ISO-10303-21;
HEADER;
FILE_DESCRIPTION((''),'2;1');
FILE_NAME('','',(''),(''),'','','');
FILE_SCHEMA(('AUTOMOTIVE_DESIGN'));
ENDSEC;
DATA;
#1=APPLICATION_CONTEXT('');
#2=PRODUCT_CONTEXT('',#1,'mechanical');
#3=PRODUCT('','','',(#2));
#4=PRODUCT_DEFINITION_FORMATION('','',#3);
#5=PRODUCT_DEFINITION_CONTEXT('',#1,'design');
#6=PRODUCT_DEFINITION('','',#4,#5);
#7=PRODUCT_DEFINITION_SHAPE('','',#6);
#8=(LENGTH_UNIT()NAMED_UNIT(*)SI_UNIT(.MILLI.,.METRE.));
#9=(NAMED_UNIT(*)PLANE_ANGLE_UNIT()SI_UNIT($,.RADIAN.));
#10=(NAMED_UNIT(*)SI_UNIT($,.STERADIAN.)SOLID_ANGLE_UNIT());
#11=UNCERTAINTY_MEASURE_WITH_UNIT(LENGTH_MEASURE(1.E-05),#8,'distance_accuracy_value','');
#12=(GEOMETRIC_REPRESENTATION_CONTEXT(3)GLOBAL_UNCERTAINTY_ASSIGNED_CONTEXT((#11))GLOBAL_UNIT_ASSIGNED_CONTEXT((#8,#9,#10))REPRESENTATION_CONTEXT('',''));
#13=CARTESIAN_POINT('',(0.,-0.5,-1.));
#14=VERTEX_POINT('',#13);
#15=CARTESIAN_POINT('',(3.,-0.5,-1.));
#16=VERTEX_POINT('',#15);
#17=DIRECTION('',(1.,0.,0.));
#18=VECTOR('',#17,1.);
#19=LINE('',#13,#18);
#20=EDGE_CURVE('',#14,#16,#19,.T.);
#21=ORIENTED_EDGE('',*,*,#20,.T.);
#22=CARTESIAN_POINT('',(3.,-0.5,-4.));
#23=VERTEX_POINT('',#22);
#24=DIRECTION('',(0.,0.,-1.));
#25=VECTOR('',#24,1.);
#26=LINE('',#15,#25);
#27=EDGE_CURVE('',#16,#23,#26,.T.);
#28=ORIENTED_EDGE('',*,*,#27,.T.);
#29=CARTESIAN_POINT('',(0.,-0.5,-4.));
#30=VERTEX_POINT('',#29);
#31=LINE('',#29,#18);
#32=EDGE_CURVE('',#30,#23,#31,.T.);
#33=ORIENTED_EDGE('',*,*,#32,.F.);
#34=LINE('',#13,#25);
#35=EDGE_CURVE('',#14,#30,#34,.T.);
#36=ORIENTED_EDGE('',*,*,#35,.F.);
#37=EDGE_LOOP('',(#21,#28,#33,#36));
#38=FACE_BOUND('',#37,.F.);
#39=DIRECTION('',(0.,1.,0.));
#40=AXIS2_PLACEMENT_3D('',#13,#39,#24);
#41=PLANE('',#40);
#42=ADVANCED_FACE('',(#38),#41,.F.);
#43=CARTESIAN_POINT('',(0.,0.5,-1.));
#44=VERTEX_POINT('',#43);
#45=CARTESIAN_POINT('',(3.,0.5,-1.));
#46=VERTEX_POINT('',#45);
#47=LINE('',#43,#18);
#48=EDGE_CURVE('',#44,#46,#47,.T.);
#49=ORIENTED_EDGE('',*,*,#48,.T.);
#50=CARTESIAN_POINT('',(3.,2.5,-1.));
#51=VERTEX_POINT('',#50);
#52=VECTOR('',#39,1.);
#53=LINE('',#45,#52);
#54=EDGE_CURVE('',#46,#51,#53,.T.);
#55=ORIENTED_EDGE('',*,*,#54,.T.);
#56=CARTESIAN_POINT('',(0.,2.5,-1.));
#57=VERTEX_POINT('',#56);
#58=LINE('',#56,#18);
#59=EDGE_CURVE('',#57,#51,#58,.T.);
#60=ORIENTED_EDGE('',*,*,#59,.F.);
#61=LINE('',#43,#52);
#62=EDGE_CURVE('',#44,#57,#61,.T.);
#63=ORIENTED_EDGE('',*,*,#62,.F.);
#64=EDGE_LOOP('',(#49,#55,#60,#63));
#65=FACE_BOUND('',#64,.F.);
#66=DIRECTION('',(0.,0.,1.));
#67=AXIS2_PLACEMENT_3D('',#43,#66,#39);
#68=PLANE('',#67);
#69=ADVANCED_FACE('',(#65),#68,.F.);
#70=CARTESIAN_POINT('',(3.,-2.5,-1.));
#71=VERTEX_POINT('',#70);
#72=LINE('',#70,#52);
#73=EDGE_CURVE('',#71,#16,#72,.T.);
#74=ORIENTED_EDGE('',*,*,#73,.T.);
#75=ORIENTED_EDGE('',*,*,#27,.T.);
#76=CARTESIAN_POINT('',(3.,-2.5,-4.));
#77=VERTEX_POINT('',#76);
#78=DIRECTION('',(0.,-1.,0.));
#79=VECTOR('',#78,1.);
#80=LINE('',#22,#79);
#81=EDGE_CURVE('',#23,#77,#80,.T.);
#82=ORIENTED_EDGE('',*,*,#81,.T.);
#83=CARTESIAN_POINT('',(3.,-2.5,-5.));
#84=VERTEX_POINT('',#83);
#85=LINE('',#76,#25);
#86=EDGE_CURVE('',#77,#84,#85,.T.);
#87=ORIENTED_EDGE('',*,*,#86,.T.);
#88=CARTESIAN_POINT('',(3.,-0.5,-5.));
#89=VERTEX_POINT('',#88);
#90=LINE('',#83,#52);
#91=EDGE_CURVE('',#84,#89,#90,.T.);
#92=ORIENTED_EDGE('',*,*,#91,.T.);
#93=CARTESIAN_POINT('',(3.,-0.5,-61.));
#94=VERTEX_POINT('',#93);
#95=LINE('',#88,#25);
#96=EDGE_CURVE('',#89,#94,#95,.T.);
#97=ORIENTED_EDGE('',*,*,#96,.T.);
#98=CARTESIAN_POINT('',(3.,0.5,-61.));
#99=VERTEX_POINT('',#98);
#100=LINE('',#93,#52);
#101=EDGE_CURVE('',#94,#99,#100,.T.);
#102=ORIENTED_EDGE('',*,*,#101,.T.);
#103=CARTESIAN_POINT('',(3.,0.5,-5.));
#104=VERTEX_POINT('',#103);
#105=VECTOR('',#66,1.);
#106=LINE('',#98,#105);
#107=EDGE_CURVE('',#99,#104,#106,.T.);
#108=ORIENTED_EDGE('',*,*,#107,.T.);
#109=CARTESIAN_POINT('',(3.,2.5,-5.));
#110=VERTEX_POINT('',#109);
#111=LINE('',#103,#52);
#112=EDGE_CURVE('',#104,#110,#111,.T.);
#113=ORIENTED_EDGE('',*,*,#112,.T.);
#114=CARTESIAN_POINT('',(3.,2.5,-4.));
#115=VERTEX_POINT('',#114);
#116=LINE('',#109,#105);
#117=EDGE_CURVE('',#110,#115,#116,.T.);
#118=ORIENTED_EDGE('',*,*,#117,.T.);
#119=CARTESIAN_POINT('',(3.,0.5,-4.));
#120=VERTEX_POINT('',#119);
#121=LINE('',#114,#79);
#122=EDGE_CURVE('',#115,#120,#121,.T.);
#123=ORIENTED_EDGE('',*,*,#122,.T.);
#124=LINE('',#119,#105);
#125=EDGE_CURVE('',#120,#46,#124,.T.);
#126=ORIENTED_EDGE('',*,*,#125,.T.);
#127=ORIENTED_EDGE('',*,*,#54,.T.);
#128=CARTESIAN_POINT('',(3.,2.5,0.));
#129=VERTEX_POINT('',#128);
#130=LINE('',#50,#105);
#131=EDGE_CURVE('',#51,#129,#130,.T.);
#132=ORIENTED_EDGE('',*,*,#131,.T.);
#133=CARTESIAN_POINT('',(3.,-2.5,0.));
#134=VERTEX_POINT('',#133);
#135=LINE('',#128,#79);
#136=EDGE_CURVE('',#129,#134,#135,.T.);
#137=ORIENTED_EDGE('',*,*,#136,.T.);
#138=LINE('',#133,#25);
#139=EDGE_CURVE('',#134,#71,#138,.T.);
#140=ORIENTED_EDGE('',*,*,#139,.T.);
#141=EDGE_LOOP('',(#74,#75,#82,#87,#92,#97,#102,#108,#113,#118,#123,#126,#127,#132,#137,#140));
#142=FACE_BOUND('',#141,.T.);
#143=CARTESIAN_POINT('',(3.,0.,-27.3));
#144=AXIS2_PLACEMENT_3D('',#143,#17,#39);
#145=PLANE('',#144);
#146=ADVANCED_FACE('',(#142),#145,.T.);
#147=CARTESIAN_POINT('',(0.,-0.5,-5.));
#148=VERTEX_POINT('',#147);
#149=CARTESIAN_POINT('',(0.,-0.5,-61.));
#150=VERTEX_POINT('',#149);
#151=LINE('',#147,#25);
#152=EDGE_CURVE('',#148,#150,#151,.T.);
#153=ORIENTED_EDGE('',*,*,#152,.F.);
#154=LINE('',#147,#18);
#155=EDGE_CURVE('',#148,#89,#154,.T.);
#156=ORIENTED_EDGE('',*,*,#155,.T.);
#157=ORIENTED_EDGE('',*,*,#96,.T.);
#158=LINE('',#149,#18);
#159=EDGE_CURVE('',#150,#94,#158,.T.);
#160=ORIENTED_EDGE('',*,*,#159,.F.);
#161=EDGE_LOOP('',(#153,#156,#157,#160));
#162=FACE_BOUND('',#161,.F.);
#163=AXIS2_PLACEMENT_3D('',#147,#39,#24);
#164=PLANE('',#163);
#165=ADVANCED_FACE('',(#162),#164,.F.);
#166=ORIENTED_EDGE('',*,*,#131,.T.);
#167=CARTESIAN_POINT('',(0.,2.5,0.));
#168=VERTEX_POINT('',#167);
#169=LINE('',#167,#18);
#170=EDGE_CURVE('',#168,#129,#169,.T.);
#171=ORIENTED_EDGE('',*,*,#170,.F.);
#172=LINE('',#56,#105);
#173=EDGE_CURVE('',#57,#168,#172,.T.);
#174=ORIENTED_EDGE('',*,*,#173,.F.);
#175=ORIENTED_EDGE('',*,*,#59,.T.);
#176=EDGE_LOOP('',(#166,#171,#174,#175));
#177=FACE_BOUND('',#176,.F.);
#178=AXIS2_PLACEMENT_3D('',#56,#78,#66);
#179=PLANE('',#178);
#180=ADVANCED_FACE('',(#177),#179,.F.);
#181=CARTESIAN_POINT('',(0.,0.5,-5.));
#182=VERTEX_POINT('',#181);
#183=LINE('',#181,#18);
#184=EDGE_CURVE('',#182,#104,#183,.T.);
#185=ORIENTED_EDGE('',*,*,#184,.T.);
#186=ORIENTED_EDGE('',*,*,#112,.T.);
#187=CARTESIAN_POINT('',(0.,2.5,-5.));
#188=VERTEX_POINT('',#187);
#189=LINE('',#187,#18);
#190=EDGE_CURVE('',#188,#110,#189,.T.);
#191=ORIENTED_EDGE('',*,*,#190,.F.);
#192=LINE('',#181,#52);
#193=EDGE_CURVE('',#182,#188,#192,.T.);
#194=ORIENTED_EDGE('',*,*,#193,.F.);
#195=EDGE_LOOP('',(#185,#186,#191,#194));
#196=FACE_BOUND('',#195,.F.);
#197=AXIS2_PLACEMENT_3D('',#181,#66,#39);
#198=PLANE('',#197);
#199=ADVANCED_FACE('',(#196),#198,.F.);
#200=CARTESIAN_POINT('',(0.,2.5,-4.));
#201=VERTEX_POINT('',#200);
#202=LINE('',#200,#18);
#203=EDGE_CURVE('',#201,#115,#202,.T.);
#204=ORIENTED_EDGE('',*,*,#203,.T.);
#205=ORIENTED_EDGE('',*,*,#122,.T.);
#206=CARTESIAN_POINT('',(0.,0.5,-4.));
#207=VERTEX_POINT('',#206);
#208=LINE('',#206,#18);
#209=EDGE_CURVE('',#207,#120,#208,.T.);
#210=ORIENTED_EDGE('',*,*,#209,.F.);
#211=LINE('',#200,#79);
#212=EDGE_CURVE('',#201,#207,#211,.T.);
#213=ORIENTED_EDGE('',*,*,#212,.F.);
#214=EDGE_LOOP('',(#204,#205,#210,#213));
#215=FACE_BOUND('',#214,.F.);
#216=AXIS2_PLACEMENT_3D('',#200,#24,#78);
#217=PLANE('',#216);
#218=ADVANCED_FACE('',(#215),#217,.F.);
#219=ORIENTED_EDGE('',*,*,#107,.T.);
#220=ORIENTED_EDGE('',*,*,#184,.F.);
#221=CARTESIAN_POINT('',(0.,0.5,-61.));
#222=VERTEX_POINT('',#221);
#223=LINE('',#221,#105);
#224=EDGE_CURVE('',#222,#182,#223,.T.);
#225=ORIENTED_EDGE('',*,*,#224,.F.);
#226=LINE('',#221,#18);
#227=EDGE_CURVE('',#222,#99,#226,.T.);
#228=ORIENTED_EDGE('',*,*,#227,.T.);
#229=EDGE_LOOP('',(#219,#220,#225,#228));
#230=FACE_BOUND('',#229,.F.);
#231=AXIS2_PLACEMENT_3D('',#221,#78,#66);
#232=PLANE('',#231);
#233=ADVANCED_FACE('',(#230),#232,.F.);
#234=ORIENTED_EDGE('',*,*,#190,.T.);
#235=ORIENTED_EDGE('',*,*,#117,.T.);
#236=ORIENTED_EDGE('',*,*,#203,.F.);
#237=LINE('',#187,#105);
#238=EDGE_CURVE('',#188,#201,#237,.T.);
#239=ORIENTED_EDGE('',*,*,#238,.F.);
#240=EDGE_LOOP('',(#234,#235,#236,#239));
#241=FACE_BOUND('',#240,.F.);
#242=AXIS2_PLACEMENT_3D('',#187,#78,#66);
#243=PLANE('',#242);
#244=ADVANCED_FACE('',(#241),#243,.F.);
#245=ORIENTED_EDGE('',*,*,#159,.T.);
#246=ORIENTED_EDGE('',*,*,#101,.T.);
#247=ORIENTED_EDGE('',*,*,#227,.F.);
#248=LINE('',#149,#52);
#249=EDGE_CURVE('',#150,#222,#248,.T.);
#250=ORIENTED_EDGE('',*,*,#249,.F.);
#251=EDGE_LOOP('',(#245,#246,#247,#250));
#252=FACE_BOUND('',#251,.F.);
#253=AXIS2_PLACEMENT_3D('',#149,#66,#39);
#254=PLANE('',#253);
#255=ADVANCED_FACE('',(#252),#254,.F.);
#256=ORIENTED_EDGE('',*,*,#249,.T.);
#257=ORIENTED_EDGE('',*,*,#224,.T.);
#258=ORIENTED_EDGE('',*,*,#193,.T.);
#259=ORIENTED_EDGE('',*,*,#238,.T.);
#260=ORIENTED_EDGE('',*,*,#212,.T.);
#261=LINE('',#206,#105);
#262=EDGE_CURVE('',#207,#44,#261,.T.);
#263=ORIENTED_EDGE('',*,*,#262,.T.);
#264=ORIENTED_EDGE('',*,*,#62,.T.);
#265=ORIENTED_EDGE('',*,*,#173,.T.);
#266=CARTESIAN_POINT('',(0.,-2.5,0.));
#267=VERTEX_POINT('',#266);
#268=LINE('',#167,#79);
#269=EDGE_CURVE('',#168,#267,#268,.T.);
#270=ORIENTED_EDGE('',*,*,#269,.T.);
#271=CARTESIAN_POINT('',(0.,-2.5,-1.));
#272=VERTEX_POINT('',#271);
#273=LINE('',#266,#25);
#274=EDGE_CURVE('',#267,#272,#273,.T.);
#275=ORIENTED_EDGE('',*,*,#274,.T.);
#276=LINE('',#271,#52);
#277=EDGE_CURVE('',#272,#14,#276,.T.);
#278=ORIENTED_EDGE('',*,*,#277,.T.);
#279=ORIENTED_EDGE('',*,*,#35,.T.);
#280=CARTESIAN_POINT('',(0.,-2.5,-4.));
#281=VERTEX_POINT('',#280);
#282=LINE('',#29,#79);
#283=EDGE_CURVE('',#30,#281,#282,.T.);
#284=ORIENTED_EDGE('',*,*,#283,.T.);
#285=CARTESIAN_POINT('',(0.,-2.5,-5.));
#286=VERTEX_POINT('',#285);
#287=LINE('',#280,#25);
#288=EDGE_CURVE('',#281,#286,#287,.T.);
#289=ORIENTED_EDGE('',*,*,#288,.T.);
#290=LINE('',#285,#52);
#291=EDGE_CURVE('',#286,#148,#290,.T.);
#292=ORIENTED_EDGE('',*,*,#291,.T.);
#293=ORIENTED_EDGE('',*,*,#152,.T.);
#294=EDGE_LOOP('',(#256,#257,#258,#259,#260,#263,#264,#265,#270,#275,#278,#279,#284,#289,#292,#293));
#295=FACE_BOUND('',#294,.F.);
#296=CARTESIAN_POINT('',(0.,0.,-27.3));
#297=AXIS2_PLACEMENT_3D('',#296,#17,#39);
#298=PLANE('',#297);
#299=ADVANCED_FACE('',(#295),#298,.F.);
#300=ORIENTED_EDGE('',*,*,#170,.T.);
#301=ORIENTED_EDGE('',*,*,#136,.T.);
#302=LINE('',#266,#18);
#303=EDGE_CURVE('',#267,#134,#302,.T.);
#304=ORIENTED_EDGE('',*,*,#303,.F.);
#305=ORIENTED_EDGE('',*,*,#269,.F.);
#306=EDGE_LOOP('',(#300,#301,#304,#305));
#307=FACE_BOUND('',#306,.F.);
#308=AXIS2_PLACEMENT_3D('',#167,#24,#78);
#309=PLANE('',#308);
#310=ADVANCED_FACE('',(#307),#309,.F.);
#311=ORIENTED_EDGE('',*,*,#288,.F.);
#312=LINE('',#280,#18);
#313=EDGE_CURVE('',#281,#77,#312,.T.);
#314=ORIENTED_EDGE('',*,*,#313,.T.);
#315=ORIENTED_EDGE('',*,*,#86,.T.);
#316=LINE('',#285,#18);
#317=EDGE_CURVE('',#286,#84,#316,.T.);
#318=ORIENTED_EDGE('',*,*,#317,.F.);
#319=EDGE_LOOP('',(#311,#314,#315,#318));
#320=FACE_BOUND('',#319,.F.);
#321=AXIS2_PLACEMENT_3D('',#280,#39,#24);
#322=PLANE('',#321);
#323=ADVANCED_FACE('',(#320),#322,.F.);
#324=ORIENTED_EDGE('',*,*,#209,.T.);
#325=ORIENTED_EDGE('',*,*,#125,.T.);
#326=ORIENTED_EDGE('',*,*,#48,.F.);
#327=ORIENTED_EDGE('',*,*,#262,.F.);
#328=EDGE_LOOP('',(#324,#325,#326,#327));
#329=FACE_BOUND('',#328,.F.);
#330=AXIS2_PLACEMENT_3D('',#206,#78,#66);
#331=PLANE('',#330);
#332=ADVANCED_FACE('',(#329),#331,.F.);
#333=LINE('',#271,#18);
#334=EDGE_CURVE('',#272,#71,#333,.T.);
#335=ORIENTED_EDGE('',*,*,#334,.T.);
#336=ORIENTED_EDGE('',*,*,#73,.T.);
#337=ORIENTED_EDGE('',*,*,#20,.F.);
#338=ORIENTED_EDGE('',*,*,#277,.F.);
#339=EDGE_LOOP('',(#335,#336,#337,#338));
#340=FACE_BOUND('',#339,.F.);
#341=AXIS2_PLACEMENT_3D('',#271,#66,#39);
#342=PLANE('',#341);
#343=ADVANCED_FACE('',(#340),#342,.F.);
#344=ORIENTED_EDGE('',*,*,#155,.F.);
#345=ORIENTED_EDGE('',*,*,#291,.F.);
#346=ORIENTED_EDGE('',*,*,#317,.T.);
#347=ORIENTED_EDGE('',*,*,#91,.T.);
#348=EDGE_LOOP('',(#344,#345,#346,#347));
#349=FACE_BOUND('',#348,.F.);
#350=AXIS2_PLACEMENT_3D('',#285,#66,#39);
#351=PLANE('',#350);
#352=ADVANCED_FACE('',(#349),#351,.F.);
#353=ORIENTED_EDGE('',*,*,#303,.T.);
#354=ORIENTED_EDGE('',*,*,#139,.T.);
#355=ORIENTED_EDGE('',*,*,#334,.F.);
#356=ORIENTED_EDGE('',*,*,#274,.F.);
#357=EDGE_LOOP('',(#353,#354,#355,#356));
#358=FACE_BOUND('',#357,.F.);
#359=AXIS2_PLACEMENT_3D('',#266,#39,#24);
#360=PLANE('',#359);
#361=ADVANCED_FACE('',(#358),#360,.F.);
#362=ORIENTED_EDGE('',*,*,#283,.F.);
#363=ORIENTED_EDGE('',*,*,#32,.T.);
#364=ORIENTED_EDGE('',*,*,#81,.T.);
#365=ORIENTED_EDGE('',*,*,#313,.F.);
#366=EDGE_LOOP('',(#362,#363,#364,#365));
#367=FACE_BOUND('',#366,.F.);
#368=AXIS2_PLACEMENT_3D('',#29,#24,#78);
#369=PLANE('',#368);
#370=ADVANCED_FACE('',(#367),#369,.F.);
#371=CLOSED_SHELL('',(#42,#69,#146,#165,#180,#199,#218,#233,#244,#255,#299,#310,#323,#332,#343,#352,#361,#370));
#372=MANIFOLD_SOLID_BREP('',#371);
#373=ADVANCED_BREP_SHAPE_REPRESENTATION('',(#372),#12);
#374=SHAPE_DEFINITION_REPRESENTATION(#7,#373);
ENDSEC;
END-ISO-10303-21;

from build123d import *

# Parameters (mm, degrees)
F1_DEPTH = 3


with BuildPart() as f1:
    # F0 (on Right) → F1 (new body)
    with BuildSketch(Plane.YZ):
        Polygon((2.5, 0), (-2.5, 0), (-2.5, -1), (-0.5, -1), (-0.5, -4), (-2.5, -4), (-2.5, -5), (-0.5, -5), (-0.5, -61), (0.5, -61), (0.5, -5), (2.5, -5), (2.5, -4), (0.5, -4), (0.5, -1), (2.5, -1), align=None)
    extrude(amount=F1_DEPTH)


solid = f1.part
